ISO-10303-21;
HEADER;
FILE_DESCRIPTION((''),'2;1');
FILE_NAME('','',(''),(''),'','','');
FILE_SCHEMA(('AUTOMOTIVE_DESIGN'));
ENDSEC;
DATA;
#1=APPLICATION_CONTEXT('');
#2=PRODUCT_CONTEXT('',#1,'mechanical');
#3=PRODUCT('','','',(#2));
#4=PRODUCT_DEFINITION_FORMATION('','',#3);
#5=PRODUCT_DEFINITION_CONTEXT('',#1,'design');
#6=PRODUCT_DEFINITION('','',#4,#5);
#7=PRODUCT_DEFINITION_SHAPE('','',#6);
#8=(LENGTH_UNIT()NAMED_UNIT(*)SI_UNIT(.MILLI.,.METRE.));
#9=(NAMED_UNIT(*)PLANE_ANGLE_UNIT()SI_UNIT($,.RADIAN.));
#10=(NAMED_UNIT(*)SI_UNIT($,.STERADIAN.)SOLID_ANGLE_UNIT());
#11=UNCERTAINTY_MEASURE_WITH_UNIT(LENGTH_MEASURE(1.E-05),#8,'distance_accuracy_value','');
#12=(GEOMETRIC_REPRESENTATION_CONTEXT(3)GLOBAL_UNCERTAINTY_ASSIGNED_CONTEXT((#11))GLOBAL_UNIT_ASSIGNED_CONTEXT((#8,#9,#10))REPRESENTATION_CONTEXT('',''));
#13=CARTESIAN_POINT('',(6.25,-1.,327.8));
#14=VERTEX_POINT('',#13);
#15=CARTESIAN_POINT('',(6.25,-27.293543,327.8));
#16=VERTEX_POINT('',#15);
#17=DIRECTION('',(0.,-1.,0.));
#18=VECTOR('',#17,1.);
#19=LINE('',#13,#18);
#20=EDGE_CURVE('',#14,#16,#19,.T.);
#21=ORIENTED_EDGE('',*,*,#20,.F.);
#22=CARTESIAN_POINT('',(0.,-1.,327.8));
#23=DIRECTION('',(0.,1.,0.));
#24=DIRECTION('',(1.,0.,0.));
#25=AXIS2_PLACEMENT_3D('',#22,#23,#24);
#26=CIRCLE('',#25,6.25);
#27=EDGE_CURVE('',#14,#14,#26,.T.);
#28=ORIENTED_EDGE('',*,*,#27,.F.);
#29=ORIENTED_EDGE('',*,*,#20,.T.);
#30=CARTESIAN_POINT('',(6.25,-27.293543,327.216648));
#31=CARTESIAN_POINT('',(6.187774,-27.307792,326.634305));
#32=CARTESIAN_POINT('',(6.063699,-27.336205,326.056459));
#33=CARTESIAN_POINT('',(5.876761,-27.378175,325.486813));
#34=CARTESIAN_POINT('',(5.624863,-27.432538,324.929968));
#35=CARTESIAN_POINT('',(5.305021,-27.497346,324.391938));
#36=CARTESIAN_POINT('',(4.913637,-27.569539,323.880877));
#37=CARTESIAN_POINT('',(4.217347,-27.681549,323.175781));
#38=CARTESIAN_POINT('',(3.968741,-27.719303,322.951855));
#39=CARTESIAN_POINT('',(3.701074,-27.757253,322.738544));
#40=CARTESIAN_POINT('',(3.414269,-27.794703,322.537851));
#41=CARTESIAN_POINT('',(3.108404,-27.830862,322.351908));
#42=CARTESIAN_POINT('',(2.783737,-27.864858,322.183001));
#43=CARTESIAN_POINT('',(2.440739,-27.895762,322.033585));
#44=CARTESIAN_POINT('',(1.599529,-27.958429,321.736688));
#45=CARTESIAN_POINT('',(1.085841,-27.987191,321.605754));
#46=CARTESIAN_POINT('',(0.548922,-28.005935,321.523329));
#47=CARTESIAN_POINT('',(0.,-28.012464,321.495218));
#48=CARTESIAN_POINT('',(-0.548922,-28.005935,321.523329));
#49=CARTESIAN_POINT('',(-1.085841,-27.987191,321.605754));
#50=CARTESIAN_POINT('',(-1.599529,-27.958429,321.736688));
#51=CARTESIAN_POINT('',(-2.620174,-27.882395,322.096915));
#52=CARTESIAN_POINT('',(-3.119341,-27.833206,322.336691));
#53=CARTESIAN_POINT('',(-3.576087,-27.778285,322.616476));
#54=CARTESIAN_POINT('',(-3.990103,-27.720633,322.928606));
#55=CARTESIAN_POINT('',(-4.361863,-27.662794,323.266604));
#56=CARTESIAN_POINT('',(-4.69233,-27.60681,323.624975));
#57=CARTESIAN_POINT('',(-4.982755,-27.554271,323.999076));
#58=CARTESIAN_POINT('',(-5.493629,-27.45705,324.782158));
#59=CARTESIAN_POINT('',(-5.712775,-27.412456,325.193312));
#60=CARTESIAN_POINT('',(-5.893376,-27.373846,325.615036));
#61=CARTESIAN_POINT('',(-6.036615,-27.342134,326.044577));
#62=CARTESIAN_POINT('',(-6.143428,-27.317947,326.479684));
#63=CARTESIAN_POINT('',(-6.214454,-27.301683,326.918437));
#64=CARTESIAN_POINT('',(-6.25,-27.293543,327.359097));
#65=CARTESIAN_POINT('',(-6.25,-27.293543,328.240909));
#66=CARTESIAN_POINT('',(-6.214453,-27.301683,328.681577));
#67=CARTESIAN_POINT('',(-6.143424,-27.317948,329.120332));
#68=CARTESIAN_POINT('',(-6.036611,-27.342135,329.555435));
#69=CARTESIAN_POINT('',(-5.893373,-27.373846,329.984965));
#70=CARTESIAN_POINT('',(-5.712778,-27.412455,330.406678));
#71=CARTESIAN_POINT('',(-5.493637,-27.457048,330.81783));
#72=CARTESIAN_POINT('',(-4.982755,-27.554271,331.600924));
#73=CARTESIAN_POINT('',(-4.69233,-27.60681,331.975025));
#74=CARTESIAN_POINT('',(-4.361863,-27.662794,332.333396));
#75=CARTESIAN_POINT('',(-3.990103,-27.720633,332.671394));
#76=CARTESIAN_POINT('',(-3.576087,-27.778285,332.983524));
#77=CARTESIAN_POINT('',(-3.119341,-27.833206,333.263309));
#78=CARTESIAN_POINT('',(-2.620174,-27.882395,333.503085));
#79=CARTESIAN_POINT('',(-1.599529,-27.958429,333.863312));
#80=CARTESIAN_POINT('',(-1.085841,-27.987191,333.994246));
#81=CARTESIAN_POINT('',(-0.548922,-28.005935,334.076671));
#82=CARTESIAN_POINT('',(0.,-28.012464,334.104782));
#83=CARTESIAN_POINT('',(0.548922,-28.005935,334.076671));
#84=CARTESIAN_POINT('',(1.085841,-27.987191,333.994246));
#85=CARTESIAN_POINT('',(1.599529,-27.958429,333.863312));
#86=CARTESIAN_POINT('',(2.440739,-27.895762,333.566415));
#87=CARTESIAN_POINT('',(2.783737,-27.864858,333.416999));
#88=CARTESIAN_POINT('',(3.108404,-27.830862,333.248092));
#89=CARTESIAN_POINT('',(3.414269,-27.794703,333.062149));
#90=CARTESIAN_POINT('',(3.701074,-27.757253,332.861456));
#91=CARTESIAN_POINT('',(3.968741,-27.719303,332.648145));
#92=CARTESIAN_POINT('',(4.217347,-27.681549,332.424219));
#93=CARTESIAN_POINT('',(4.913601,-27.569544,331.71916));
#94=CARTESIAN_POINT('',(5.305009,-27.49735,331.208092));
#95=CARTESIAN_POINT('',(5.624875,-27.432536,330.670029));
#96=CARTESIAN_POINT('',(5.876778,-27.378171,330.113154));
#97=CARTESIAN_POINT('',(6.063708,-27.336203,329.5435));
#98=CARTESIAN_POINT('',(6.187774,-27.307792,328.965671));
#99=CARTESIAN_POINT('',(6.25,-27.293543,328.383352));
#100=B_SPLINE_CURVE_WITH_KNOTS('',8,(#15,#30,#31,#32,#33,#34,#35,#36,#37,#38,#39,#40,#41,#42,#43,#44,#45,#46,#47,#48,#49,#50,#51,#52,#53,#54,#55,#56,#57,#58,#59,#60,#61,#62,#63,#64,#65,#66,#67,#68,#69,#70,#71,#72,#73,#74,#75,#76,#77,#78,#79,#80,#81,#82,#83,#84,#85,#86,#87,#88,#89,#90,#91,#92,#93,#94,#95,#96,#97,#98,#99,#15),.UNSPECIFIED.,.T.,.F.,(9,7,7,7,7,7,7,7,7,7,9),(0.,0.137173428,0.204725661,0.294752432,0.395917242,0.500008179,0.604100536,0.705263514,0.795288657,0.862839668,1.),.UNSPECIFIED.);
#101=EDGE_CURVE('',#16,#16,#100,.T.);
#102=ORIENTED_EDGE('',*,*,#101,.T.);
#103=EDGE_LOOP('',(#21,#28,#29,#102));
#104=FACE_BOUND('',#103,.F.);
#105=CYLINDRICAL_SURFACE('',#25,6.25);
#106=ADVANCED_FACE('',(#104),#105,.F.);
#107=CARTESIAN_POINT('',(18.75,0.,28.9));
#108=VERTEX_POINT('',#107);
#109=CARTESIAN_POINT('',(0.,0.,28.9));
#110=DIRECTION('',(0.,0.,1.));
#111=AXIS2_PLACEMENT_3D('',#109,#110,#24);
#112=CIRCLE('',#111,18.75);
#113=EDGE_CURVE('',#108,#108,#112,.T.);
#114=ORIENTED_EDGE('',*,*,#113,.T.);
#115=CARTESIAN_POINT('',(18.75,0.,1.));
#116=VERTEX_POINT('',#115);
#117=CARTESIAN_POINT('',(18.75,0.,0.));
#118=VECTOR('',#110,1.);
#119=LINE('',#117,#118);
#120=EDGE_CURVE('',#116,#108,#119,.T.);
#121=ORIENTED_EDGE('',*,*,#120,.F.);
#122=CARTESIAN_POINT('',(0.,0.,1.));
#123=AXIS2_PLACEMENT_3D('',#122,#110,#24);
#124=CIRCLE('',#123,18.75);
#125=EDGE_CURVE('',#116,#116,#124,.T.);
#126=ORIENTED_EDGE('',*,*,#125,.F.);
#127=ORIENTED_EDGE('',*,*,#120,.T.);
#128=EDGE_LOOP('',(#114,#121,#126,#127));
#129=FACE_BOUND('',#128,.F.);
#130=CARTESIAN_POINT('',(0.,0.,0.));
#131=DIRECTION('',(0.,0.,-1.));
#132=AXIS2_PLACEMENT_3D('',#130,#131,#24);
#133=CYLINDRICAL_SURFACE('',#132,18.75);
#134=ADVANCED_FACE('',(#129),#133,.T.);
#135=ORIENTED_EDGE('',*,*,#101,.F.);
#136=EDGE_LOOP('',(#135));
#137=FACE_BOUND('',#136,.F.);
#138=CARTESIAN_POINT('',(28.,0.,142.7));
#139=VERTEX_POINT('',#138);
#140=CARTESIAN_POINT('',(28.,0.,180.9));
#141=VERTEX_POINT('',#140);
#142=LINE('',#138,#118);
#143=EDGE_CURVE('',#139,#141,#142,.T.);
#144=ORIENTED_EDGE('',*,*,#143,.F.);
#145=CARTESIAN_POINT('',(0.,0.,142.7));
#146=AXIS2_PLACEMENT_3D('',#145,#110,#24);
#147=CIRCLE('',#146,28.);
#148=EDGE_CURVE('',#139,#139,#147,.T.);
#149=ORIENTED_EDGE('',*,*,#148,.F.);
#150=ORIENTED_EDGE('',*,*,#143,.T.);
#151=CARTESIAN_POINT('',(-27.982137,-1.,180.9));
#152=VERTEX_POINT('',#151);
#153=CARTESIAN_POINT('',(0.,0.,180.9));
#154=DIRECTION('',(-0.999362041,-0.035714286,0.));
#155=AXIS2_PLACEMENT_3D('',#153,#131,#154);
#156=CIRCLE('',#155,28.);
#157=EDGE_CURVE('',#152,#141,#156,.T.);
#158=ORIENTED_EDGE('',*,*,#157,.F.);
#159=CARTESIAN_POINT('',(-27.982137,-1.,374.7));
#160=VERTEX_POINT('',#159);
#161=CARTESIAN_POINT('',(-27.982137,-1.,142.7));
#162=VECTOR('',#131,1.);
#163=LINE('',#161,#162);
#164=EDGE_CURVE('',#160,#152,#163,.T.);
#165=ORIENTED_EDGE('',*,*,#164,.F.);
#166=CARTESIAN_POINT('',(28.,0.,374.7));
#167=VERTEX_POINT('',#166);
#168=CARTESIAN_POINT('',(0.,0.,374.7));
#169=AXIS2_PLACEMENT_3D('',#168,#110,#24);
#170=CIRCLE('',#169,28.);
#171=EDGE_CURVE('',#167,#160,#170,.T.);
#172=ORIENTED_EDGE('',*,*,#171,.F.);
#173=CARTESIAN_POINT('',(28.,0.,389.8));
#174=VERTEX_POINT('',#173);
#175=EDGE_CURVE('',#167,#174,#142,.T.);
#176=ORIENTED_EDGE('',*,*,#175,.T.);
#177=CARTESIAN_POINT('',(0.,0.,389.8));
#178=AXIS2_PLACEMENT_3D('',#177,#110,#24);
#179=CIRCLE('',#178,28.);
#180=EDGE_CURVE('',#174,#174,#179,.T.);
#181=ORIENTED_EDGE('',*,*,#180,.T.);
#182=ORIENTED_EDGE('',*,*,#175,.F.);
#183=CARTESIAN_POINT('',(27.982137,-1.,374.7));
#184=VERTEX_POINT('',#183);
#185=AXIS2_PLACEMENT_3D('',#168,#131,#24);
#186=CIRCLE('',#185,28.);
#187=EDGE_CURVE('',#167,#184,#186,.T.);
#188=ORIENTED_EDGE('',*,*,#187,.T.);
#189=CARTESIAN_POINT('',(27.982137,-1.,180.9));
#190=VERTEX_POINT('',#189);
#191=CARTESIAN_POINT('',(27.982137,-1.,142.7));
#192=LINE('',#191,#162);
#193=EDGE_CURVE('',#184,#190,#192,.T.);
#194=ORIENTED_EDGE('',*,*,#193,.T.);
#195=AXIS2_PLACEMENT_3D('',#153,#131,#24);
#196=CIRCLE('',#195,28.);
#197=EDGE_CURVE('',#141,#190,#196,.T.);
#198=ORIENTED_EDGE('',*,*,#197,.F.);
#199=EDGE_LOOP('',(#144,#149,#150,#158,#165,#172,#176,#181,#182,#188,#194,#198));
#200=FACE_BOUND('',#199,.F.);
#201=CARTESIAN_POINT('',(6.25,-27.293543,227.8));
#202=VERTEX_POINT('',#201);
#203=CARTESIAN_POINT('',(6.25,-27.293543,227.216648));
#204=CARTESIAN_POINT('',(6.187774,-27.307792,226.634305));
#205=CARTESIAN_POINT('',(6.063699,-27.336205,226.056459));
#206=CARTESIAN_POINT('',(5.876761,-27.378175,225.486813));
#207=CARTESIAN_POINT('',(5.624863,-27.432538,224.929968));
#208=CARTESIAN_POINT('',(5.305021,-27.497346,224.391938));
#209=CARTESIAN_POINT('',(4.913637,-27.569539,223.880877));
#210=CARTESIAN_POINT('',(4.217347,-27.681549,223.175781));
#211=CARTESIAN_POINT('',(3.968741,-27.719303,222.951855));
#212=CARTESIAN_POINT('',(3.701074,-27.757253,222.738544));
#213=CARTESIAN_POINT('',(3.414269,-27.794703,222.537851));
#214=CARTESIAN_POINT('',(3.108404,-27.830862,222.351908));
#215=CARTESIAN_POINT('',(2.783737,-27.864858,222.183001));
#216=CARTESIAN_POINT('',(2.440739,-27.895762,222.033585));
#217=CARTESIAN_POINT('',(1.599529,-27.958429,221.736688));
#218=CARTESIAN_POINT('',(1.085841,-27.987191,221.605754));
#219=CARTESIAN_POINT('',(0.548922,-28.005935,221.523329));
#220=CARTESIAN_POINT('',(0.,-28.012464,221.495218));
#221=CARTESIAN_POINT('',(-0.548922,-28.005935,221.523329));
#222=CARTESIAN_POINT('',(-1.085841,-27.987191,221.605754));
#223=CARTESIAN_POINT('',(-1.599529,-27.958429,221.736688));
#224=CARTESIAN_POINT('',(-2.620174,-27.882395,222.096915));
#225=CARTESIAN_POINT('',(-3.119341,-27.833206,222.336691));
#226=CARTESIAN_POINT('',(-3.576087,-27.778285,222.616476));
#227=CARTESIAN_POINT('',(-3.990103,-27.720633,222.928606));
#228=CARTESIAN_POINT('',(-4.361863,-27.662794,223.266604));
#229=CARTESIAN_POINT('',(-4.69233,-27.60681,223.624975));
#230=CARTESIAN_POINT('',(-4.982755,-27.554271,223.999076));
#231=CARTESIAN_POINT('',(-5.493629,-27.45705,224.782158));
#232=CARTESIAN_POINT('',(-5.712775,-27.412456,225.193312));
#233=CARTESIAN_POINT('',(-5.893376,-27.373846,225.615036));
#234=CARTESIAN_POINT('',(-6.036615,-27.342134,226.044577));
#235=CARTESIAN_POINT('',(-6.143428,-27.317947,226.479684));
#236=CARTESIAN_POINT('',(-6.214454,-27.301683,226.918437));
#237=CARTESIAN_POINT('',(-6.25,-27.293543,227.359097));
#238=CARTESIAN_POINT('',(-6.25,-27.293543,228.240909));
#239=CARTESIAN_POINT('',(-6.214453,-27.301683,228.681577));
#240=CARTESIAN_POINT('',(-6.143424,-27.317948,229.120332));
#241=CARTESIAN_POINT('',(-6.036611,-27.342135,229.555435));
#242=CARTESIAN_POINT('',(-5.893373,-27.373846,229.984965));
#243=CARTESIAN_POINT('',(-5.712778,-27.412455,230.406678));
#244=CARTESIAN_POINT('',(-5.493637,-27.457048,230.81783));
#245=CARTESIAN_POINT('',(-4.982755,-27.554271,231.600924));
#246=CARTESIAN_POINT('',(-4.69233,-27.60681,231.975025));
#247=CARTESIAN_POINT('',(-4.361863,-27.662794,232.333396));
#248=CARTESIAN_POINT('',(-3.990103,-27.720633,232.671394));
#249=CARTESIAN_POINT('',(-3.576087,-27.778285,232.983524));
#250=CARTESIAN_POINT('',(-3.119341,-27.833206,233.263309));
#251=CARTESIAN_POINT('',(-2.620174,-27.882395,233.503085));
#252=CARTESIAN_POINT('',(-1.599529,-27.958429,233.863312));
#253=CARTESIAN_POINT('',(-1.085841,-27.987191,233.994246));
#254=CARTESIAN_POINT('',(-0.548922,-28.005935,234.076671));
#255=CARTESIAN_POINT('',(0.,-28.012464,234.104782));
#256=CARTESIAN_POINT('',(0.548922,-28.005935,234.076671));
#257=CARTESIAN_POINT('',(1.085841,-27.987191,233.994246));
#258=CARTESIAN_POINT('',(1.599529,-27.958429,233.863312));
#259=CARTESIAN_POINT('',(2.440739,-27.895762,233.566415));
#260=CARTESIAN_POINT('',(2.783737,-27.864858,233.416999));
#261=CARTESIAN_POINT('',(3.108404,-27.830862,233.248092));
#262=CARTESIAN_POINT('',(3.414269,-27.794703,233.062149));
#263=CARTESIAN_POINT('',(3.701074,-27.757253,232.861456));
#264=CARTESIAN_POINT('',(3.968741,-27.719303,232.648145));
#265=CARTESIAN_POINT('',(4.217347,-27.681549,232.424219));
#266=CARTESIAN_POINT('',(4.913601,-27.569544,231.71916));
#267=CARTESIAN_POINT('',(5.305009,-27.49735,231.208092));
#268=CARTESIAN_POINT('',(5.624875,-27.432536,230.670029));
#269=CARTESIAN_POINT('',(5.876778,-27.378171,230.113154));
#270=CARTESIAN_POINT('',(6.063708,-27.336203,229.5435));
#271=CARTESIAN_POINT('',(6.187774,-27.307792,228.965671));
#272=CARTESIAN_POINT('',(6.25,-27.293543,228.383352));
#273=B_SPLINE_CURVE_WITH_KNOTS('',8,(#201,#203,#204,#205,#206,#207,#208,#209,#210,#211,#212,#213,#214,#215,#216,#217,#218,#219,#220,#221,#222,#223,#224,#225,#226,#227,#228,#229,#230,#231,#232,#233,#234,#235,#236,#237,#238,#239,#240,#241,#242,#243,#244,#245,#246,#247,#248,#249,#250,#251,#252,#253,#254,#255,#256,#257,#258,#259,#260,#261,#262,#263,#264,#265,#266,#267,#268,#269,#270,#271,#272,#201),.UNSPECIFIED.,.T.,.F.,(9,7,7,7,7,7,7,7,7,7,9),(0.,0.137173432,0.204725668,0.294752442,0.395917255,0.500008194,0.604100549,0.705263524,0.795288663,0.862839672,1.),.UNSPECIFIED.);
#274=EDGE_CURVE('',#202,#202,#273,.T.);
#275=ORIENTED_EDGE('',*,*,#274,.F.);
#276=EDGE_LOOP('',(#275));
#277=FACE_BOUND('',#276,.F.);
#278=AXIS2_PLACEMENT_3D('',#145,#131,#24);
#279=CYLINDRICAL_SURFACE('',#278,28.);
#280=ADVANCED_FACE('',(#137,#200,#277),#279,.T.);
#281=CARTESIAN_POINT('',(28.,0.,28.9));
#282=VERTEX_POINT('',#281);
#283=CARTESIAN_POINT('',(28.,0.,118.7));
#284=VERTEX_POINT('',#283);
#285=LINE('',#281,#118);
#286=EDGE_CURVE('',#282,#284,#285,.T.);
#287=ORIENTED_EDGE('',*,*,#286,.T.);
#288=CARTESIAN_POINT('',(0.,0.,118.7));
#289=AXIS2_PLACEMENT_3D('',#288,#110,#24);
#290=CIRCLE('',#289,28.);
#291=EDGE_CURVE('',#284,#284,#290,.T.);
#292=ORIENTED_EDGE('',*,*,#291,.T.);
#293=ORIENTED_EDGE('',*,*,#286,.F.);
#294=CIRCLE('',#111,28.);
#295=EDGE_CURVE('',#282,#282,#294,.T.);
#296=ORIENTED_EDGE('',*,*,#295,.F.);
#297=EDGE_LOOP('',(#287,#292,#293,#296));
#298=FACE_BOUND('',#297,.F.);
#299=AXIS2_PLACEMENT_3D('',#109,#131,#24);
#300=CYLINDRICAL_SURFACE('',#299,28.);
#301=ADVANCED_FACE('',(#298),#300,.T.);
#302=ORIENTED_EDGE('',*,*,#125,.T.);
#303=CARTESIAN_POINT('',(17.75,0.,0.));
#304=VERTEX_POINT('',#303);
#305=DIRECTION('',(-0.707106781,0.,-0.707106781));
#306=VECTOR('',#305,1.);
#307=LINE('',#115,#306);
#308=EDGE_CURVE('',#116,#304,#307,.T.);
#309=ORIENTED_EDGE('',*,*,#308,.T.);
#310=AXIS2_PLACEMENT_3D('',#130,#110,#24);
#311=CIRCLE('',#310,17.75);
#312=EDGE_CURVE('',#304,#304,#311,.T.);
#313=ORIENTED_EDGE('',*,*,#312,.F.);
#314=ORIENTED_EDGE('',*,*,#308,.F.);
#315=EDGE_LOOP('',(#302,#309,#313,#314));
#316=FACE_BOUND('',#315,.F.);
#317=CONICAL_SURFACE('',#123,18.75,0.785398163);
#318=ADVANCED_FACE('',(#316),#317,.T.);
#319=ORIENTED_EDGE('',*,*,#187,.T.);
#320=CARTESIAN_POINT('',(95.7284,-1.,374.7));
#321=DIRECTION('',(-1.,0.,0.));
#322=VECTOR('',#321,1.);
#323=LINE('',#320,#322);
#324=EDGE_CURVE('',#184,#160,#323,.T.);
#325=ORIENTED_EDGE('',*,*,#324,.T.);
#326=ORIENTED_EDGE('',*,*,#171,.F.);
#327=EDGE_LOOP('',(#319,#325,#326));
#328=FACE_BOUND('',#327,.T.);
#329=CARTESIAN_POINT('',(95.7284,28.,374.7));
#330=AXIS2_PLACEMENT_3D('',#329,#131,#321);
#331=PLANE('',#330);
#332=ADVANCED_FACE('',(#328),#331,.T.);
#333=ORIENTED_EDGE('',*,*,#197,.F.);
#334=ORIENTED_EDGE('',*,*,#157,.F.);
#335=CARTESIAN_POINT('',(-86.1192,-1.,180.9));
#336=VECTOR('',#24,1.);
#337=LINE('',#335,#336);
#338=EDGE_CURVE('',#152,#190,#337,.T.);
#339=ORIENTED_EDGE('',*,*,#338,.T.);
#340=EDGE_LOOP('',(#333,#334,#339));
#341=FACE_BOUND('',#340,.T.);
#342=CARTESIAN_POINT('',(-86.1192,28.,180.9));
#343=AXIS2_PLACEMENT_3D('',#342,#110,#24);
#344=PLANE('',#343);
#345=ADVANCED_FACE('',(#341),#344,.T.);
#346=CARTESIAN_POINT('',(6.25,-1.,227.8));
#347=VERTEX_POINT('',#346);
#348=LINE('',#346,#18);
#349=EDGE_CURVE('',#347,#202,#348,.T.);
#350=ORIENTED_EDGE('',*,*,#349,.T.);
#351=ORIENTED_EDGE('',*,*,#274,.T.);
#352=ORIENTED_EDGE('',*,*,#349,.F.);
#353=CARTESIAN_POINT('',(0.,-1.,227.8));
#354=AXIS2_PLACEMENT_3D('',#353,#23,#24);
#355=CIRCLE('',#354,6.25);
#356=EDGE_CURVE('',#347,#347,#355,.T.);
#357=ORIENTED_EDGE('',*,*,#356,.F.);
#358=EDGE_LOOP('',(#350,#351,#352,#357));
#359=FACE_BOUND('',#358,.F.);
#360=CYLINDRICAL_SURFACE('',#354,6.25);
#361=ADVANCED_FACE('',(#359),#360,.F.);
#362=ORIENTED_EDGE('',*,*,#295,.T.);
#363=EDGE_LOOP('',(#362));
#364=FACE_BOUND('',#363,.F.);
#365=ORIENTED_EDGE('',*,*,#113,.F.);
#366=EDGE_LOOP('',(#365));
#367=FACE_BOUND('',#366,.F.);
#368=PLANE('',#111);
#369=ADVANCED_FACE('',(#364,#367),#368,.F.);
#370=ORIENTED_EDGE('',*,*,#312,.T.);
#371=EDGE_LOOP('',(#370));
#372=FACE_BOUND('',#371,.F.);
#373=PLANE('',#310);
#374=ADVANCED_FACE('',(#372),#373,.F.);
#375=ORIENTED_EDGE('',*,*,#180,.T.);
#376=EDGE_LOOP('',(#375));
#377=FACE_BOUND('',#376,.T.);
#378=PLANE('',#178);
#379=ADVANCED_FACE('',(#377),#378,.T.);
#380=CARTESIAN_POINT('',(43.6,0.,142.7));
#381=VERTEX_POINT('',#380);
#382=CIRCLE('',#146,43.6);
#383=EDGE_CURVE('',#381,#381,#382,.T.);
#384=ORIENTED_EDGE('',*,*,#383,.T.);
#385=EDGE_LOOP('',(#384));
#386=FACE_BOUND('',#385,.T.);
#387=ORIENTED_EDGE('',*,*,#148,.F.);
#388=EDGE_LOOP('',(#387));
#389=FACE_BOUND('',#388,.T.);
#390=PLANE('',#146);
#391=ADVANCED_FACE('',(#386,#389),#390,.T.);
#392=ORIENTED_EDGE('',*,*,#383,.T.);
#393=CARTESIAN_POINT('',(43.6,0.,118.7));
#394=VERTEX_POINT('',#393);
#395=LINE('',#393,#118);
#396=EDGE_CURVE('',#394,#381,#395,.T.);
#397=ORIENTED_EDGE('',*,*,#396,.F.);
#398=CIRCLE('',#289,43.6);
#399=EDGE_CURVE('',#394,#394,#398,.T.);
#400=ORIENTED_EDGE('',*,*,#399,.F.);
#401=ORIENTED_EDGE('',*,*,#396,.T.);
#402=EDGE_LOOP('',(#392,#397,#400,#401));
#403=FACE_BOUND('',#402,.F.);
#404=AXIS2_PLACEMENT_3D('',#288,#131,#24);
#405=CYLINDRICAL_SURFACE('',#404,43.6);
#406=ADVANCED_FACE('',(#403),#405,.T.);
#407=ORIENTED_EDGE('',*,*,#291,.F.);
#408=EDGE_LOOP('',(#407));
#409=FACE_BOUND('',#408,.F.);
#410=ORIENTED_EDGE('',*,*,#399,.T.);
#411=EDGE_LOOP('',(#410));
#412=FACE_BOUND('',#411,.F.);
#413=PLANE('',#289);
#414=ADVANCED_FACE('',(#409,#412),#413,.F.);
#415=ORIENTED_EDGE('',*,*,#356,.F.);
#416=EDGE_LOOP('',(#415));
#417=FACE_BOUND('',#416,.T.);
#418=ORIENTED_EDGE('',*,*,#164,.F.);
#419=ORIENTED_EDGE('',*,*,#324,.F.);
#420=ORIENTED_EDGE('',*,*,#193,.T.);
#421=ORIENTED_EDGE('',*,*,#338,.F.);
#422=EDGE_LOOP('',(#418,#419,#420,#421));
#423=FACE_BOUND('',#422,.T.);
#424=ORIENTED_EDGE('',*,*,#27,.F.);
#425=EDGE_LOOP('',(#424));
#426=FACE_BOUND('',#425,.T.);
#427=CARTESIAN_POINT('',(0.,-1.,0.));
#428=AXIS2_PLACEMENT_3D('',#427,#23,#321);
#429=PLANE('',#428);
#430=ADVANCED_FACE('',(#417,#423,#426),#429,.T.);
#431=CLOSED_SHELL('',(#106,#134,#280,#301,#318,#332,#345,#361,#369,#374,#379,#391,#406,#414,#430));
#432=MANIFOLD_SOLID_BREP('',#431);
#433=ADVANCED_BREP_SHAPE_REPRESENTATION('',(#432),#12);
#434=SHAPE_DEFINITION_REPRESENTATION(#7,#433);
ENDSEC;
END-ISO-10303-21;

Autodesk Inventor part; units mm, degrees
ref_plane "YZ Plane" through (0, 0, 0) normal (1, 0, 0) x (0, 1, 0)
ref_plane "XY Plane" through (0, 0, 0) normal (0, 0, 1) x (1, 0, 0)
sketch "Esboço1" plane through (0, 0, 0) normal (0, 0, 1) x (1, 0, 0)
  circle A0 centre (0, 0) radius 18.75
  dimension "d2" = 37.5
extrude "Extrusão1" add sketch "Esboço1" along normal blind 28.9
sketch "Esboço2" plane through (0, 0, 28.9) normal (0, 0, 1) x (1, 0, 0)
  circle A0 centre (0, 0) radius 28
  dimension "d3" = 56
extrude "Extrusão2" add sketch "Esboço2" along normal blind 89.8
sketch "Esboço3" plane through (0, 0, 118.7) normal (0, 0, 1) x (1, 0, 0)
  circle A0 centre (0, 0) radius 43.6
  dimension "d6" = 87.2
extrude "Extrusão3" add sketch "Esboço3" along normal blind 24
sketch "Esboço4" plane through (0, 0, 142.7) normal (0, 0, 1) x (1, 0, 0)
  circle A0 centre (0, 0) radius 28
  dimension "d9" = 56
extrude "Extrusão4" add sketch "Esboço4" along normal blind 247.1
ref_plane "Plano de trabalho1" through (0, 28, 0) normal (0, 1, 0) x (-1, 0, 0)
sketch "Esboço5" plane through (0, 28, 0) normal (0, 1, 0) x (-1, 0, 0)
  line L0 (86.1192, 180.9) -> (-95.7284, 180.9)
  line L1 (-95.7284, 180.9) -> (-95.7284, 374.7)
  line L2 (-95.7284, 374.7) -> (86.1192, 374.7)
  line L3 (86.1192, 374.7) -> (86.1192, 180.9)
  line L4 (43.6, 142.7) -> (-43.6, 142.7) projected
  point P0 (0, 0)
  dimension "d13" = 193.8
  dimension "d14" = 38.2
extrude "Extrusão5" cut sketch "Esboço5" against normal blind 29
sketch "Esboço6" plane through (0, -1, 0) normal (0, 1, 0) x (1, 0, 0)
  circle A0 centre (0, -227.8) radius 6.25
  circle A1 centre (0, -327.8) radius 6.25
  line L0 (28, -180.9) -> (-28, -180.9) projected
  line L1 (-28, -374.7) -> (28, -374.7) projected
  point P0 (0, 0)
  point P1 (-27.9821, -180.9)
  point P2 (27.9821, -180.9)
  point P3 (27.9821, -374.7)
  point P4 (-27.9821, -374.7)
  dimension "d17" = 12.5
  dimension "d19" = 100
  dimension "d20" = 12.5
  dimension "d21" = 46.9
extrude "Extrusão6" cut sketch "Esboço6" against normal up to next
chamfer "Chanfro1" distance 1 angle 45 1 edges at (-18.75, 0, 0)
properties part number "eixo da Valvula"
